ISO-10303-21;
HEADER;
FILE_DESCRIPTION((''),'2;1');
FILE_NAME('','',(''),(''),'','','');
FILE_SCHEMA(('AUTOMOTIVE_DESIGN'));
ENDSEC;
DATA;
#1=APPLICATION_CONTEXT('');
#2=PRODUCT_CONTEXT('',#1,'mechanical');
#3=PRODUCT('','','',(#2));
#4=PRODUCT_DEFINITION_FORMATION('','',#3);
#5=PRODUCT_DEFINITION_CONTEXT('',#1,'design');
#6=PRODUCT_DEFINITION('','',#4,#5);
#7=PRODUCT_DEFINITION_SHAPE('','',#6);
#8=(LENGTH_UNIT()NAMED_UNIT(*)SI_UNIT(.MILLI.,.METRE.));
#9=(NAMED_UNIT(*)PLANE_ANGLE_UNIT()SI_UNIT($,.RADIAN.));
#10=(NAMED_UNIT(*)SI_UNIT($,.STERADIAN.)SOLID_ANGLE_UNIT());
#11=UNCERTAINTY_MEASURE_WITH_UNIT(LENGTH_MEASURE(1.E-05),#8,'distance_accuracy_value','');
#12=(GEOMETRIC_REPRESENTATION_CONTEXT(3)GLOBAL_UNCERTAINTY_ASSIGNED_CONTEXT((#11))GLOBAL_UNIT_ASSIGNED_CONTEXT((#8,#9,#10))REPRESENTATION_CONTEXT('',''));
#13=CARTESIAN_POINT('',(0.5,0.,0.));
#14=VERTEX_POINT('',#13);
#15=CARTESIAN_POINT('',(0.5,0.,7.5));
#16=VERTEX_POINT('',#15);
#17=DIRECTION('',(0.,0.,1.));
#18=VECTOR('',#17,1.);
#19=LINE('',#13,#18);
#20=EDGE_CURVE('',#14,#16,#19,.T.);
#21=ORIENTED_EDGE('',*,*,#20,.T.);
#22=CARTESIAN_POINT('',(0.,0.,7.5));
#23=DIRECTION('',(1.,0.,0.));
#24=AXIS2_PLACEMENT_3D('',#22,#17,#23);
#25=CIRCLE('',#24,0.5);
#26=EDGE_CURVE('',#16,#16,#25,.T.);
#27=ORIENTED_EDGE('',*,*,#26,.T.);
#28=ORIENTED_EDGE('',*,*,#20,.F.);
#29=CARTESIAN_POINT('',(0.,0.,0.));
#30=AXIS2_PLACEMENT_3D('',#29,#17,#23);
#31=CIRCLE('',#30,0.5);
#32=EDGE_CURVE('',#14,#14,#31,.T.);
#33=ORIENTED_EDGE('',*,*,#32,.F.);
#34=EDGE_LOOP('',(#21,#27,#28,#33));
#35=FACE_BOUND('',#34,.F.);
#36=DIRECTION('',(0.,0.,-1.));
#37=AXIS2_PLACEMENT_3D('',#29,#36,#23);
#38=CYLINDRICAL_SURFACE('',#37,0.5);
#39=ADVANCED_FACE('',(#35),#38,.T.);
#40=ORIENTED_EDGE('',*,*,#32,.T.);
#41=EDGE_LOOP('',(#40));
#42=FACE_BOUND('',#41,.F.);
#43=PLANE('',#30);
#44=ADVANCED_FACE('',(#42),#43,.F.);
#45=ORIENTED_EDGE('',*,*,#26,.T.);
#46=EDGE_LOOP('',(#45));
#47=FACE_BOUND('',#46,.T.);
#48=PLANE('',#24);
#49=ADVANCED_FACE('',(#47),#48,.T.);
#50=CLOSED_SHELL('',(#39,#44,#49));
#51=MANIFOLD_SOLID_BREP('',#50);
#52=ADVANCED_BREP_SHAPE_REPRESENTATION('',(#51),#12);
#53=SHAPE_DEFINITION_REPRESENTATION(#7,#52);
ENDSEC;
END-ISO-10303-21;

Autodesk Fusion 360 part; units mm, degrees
sketch "スケッチ1" plane through (0, 0, 0) normal (0, 0, 1) x (1, 0, 0)
  circle A0 centre (0, 0) radius 0.5
  dimension "d1" = 1
extrude "押し出し1" add sketch "スケッチ1" along normal blind 7.5
